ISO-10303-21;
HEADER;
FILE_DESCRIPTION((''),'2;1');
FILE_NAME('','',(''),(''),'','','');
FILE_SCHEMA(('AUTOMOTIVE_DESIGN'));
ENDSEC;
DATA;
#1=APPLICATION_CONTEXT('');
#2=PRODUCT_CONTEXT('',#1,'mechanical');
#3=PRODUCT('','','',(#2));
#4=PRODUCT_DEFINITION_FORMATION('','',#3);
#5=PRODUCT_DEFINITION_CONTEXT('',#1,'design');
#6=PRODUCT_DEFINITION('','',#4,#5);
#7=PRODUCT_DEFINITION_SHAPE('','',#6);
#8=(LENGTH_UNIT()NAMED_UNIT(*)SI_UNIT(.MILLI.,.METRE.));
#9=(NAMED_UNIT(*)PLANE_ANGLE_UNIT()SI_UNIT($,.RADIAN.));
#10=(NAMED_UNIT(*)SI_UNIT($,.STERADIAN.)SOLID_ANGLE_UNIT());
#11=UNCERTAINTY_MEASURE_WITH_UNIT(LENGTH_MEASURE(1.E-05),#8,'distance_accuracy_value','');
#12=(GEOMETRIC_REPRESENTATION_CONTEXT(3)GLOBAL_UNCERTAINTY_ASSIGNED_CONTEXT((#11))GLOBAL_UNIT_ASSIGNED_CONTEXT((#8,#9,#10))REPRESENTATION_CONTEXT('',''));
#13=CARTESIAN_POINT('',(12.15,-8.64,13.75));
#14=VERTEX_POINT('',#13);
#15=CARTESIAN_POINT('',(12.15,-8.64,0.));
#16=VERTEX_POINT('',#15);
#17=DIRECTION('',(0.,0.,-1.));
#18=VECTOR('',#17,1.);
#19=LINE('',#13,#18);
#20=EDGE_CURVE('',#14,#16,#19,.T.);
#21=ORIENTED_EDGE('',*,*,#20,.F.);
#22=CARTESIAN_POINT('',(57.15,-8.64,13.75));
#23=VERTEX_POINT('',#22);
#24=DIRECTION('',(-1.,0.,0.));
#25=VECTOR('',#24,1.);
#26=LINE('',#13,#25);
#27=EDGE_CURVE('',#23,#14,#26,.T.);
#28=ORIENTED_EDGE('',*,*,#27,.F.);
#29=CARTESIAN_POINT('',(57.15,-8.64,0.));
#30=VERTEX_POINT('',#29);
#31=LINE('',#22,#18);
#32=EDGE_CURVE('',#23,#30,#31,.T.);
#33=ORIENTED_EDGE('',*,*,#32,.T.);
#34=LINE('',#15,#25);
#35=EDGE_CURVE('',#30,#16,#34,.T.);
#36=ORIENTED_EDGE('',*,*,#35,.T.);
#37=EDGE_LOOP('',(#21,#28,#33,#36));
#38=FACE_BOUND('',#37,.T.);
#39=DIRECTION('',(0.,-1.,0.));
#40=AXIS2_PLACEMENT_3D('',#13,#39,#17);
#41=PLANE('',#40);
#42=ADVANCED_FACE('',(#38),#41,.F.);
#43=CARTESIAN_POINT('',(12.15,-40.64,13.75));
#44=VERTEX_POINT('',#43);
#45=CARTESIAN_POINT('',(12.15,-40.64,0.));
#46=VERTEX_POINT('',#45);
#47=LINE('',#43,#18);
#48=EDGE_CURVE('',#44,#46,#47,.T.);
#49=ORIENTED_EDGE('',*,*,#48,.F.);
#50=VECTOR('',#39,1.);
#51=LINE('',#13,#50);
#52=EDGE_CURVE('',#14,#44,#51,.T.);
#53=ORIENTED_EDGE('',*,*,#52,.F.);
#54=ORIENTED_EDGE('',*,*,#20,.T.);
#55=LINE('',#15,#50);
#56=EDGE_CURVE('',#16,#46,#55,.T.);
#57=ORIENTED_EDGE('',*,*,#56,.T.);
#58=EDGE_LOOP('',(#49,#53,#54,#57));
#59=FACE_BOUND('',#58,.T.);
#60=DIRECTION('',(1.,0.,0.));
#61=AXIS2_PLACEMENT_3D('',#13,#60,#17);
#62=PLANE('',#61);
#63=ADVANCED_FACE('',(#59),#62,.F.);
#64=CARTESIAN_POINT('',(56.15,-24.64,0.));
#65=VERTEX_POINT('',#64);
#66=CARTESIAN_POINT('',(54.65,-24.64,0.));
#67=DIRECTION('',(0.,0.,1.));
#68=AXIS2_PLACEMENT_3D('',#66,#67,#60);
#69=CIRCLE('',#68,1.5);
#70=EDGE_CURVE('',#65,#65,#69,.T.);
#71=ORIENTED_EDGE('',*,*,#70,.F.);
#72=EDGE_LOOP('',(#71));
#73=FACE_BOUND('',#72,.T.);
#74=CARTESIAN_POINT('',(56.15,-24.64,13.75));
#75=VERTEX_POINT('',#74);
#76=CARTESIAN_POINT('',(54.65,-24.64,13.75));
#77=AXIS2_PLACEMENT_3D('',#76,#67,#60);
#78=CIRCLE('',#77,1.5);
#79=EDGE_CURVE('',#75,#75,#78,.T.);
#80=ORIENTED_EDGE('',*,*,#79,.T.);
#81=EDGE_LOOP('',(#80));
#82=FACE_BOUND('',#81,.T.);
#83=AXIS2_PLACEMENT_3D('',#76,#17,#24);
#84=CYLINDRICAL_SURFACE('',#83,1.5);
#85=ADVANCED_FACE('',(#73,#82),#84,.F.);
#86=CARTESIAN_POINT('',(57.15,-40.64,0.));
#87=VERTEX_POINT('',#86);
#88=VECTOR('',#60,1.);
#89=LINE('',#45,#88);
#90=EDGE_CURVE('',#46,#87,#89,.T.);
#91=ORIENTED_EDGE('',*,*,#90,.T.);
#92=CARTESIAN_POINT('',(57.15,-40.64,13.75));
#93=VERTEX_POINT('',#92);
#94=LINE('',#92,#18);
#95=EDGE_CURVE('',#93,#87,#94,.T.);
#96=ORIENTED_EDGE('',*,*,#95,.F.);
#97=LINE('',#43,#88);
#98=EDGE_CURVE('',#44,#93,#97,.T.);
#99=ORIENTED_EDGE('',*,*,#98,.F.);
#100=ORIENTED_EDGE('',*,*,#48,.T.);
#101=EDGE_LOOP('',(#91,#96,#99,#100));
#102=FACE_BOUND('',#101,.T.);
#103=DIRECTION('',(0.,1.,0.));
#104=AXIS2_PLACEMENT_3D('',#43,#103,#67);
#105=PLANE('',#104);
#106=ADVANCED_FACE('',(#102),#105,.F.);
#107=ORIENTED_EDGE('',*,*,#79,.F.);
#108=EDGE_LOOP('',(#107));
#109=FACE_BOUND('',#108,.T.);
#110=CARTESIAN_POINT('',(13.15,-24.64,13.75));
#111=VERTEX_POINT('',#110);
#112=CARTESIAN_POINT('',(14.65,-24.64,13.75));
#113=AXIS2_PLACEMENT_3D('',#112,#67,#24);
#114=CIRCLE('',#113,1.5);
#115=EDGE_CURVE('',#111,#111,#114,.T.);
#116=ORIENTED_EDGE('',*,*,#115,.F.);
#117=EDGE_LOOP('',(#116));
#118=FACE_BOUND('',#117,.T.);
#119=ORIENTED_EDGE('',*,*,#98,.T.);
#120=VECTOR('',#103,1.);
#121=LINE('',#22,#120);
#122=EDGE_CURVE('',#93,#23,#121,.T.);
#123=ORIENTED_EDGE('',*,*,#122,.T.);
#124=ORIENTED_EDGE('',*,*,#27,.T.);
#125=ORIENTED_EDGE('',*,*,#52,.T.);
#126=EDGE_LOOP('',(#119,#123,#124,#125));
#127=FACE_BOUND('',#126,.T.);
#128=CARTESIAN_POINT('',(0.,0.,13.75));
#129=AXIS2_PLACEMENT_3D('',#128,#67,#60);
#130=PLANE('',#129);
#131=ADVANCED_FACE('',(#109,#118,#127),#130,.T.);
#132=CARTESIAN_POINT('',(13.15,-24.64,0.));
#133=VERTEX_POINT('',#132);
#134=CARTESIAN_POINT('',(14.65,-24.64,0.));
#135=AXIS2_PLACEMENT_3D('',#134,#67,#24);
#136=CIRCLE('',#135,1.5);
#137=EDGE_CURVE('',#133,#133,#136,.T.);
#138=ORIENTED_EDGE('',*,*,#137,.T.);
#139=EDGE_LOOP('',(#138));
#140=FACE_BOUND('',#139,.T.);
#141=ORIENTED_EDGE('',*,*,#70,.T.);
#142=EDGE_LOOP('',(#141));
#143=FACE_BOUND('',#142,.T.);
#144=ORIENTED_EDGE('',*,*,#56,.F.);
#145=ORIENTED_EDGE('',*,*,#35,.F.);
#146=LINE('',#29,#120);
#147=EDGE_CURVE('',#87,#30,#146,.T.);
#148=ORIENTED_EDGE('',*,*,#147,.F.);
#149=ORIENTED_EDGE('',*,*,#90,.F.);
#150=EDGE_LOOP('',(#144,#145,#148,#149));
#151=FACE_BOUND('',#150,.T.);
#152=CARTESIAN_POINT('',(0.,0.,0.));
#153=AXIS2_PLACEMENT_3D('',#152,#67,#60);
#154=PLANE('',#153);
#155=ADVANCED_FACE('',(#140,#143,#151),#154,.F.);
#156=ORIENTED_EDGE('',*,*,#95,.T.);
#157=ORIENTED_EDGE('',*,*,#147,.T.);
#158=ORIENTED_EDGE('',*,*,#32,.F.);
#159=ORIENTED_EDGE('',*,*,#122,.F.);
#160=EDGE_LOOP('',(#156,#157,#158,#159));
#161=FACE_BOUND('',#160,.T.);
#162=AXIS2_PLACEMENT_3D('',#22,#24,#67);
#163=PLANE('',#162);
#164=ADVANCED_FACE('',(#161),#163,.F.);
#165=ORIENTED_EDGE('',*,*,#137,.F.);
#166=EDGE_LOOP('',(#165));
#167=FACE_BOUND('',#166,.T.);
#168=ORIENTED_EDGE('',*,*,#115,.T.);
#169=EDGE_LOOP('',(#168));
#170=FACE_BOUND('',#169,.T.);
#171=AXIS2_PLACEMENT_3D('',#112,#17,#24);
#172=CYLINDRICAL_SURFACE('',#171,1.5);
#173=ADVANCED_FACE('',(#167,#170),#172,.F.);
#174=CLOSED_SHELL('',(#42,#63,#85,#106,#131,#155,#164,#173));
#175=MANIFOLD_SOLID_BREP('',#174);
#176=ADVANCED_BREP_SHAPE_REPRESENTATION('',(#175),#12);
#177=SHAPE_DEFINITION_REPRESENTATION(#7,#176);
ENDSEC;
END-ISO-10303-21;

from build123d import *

# Parameters (mm, degrees)
SKETCH1_W           = 45
SKETCH1_H           = 32
SKETCH1_R           = 1.5
BOSS_EXTRUDE1_DEPTH = 13.75


with BuildPart() as part:
    # Sketch1 → Boss-Extrude1 (new body)
    with BuildSketch(Plane.XY):
        with Locations((34.65, -24.64)):
            Rectangle(SKETCH1_W, SKETCH1_H)
        with Locations((54.65, -24.64)):
            Circle(SKETCH1_R, mode=Mode.SUBTRACT)
        with Locations((14.65, -24.64)):
            Circle(SKETCH1_R, mode=Mode.SUBTRACT)
    extrude(amount=BOSS_EXTRUDE1_DEPTH)


solid = part.part
